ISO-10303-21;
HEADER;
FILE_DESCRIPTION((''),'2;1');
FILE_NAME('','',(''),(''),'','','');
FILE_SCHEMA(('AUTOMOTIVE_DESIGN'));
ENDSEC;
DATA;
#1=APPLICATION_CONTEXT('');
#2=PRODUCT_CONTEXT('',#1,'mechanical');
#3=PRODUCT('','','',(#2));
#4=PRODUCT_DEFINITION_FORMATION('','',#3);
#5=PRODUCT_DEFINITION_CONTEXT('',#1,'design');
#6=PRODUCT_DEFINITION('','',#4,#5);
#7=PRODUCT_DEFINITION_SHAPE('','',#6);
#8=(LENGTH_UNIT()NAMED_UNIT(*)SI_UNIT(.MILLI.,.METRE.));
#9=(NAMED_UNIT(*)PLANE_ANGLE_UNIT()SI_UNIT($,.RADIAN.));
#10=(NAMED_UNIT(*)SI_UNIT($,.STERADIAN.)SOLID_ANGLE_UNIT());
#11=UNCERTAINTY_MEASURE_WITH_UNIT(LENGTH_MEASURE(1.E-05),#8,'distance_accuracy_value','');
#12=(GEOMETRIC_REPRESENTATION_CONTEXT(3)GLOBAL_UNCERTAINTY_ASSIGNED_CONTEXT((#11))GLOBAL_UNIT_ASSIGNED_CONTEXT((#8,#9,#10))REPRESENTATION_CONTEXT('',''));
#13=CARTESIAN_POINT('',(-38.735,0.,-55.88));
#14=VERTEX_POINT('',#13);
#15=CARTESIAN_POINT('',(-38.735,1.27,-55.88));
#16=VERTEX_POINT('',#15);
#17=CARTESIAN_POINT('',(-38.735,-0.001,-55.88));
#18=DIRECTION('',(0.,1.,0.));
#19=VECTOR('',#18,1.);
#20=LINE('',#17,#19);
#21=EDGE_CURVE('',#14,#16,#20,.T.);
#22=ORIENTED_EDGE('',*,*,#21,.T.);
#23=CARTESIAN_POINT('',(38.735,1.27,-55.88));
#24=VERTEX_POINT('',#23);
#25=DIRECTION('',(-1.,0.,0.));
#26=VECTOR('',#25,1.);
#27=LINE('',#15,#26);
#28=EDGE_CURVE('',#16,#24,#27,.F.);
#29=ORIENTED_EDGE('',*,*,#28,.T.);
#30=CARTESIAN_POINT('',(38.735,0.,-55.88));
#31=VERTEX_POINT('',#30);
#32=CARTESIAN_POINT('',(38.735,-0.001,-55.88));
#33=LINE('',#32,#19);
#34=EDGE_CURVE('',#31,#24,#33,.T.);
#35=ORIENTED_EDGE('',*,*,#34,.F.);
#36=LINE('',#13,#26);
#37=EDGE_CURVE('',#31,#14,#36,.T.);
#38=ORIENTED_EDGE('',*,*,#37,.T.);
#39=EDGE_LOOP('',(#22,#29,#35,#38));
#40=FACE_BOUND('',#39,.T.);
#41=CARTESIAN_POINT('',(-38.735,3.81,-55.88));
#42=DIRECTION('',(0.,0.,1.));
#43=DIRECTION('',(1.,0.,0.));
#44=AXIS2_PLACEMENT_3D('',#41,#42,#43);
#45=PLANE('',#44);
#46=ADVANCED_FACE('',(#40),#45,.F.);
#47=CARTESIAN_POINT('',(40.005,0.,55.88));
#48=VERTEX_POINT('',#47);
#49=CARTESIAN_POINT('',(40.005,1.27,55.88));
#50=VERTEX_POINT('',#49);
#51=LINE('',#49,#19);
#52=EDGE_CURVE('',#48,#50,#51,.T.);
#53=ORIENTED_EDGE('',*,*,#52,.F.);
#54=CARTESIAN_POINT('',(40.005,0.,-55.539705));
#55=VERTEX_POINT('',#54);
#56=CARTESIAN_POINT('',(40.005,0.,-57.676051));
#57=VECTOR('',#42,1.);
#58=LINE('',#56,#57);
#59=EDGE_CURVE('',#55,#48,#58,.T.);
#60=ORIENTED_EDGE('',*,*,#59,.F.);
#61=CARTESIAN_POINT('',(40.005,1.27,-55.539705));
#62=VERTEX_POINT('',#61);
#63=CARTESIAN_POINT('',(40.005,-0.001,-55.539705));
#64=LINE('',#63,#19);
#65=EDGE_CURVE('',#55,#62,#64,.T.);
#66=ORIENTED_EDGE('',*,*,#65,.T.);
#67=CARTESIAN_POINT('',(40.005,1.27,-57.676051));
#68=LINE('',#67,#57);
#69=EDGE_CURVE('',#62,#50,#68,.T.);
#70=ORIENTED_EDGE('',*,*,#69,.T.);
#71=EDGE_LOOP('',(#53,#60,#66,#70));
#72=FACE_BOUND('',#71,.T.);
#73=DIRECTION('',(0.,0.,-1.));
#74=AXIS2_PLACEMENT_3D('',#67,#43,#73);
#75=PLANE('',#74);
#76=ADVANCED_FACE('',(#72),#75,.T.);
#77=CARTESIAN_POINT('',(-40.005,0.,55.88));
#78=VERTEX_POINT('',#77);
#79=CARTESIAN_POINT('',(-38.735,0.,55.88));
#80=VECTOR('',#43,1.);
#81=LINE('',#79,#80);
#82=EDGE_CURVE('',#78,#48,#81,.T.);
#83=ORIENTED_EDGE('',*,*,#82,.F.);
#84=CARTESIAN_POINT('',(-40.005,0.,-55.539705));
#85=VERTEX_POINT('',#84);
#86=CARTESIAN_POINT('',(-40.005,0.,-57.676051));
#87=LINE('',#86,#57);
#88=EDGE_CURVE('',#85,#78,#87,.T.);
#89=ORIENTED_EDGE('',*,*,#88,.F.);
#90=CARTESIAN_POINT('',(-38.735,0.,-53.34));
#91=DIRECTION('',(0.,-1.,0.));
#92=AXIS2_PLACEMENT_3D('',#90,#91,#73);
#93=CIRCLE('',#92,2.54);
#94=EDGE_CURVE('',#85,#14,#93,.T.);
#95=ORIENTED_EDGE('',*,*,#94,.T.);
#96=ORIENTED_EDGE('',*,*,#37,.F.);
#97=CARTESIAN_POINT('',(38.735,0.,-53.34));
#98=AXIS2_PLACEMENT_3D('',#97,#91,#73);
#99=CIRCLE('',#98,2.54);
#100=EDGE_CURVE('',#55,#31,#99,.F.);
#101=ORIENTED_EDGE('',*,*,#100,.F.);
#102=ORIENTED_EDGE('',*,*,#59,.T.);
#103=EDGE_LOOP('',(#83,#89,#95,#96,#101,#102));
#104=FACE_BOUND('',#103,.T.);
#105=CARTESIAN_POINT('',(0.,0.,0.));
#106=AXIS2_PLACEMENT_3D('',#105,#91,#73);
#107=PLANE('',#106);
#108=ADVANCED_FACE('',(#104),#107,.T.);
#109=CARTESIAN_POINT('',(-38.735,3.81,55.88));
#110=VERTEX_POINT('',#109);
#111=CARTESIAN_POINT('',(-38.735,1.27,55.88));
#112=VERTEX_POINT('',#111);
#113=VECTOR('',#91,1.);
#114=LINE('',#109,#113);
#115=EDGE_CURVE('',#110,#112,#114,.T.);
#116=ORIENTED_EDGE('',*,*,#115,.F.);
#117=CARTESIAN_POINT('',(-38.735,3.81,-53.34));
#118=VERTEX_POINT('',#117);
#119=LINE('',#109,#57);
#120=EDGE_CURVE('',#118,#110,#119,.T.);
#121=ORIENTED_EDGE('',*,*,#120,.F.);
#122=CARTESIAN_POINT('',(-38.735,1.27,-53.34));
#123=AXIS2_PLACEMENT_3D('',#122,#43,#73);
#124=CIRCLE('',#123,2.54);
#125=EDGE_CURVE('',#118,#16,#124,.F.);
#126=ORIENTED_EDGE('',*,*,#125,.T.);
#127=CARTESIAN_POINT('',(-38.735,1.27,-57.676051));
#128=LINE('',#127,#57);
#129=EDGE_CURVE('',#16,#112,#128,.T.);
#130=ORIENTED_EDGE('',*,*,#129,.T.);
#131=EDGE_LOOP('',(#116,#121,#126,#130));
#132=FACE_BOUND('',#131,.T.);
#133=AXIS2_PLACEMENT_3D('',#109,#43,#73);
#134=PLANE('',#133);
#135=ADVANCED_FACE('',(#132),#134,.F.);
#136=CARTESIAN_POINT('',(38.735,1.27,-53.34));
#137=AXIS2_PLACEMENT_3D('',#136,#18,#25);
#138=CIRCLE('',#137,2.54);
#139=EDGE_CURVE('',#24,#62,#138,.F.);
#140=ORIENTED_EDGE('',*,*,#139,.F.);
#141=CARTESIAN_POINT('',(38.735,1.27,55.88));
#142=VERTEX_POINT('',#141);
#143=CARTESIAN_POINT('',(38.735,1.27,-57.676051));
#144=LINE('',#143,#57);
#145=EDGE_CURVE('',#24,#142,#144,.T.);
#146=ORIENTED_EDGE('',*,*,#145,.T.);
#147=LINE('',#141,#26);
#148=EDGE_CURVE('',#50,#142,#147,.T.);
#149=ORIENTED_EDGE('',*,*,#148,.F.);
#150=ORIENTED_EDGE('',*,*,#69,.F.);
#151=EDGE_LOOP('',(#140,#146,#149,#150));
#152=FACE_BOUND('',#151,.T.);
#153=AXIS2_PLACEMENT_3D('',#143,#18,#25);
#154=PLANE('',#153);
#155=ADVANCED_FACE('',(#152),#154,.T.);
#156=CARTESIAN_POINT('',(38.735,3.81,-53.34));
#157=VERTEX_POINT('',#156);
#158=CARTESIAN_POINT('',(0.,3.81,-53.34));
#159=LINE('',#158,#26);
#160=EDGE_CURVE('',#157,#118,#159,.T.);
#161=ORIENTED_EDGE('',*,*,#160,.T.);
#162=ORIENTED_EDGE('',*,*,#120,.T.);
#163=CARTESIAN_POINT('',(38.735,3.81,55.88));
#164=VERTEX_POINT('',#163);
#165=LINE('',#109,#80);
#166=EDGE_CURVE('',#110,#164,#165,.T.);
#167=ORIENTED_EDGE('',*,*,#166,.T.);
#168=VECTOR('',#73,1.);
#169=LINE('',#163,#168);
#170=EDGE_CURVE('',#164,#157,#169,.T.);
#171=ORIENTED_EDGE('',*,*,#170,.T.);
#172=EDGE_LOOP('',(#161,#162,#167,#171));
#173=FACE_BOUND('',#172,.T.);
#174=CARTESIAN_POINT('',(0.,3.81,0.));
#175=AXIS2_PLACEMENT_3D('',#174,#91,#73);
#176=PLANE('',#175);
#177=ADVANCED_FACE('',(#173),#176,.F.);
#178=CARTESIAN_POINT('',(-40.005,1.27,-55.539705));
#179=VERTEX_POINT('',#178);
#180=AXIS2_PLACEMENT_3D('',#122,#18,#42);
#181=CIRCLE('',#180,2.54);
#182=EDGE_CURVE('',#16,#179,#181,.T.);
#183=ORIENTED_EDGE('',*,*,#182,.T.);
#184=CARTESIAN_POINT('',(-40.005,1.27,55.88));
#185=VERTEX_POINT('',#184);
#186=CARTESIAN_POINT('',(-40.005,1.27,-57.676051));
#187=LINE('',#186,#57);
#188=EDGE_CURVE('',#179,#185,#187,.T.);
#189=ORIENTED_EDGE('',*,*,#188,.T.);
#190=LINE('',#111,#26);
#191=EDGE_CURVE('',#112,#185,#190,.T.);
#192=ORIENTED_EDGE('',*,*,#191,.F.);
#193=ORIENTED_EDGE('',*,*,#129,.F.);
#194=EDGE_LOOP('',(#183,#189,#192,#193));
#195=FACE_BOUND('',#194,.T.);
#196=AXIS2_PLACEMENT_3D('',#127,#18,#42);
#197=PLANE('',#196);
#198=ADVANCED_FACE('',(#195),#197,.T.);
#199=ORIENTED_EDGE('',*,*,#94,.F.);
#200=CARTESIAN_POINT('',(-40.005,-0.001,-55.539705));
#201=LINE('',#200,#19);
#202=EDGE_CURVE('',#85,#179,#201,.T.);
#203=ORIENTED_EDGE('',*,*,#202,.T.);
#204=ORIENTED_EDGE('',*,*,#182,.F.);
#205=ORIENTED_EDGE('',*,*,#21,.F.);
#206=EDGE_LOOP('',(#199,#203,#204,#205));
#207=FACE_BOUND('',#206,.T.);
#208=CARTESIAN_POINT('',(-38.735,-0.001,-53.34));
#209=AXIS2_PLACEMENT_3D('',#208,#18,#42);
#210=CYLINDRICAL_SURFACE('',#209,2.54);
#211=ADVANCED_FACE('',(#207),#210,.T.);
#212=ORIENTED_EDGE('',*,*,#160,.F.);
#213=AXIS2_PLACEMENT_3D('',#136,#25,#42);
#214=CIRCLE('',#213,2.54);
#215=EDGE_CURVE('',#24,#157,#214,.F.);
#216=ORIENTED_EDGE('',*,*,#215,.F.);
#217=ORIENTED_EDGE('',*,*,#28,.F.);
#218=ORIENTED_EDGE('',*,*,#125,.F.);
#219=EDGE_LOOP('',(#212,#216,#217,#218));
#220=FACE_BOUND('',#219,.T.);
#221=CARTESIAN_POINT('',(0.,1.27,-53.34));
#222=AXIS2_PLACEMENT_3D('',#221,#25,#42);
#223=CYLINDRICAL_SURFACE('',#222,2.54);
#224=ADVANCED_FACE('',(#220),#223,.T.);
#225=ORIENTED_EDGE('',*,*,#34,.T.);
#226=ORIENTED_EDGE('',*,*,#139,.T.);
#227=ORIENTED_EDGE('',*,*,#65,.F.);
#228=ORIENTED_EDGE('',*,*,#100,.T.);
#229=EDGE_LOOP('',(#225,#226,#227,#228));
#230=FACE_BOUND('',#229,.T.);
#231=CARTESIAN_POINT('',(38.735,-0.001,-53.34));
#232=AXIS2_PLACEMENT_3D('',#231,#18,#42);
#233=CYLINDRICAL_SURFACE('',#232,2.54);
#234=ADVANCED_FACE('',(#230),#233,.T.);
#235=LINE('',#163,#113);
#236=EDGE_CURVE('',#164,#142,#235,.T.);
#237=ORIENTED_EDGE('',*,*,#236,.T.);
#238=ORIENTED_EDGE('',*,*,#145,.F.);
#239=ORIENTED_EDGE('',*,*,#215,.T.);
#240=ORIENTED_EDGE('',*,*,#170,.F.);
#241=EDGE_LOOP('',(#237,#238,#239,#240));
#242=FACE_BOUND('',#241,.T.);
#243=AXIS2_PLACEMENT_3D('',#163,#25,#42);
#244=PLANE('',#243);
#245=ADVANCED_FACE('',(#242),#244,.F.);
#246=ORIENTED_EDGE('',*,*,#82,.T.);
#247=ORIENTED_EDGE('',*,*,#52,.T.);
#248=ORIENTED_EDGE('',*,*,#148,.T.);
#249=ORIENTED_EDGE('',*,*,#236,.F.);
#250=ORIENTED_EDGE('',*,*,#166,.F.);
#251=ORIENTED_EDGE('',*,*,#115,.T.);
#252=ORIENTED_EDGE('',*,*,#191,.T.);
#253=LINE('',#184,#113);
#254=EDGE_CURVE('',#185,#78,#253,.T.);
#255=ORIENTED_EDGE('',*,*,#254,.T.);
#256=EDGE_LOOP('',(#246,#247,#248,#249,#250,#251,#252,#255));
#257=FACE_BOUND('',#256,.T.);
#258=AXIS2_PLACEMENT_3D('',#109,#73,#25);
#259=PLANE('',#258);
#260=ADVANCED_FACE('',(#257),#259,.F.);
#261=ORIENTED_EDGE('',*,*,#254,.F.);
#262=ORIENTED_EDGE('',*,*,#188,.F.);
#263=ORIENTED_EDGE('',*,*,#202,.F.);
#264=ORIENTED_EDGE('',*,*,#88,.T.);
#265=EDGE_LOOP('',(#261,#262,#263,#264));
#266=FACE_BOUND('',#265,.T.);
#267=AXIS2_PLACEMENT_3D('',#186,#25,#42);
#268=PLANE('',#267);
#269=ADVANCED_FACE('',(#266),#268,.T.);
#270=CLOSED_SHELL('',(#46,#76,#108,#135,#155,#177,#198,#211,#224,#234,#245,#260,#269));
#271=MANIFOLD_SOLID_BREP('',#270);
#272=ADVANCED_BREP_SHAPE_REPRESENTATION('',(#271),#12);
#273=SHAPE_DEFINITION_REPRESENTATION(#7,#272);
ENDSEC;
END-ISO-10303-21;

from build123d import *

# Parameters (mm, degrees)
SKETCH2_W           = 77.47
SKETCH2_H           = 111.76
BOSS_EXTRUDE1_DEPTH = 3.81
SKETCH3_W           = 1.27
SKETCH3_H           = 1.27
BOSS_EXTRUDE2_DEPTH = 111.76
FILLET1_R           = 2.54
CUT_EXTRUDE1_REACH  = 70.829


with BuildPart() as part:
    # Sketch2 → Boss-Extrude1 (new body)
    with BuildSketch(Plane(origin=(0, 0, 0), x_dir=(1, 0, 0), z_dir=(0, 1, 0))):
        Rectangle(SKETCH2_W, SKETCH2_H)
    extrude(amount=BOSS_EXTRUDE1_DEPTH)

    # Sketch3 → Boss-Extrude2 (add)
    with BuildSketch(Plane.XY.offset(55.88)):
        with Locations((-39.37, 0.635)):
            Rectangle(SKETCH3_W, SKETCH3_H)
        with Locations((39.37, 0.635)):
            Rectangle(SKETCH3_W, SKETCH3_H)
    extrude(amount=-BOSS_EXTRUDE2_DEPTH)

    # Fillet1
    fillet1_edges = [part.edges().sort_by_distance(p)[0] for p in [
        (0, 3.81, -55.88),
    ]]
    fillet(fillet1_edges, radius=FILLET1_R)

    # Sketch5 → Cut-Extrude1 (cut, up to next)
    with BuildSketch(Plane(origin=(0, 3.81, 0), x_dir=(1, 0, 0), z_dir=(0, 1, 0)), mode=Mode.PRIVATE) as cut_extrude1_sk1:
        with BuildLine():
            Line((40.005, 55.539704526), (40.005, 55.88))
            Line((40.005, 55.88), (38.735, 55.88))
            ThreePointArc((38.735, 55.88), (39.392400375, 55.793451599), (40.005, 55.539704526))
        make_face()
    cut_extrude1_tool1 = extrude(cut_extrude1_sk1.sketch, amount=-CUT_EXTRUDE1_REACH, mode=Mode.PRIVATE) & part.part
    # Sketch5 → Cut-Extrude1 (cut, up to next)
    with BuildSketch(Plane(origin=(0, 3.81, 0), x_dir=(1, 0, 0), z_dir=(0, 1, 0)), mode=Mode.PRIVATE) as cut_extrude1_sk2:
        with BuildLine():
            ThreePointArc((-40.005, 55.539704526), (-39.392400375, 55.793451599), (-38.735, 55.88))
            Line((-38.735, 55.88), (-40.005, 55.88))
            Line((-40.005, 55.88), (-40.005, 55.539704526))
        make_face()
    cut_extrude1_tool2 = extrude(cut_extrude1_sk2.sketch, amount=-CUT_EXTRUDE1_REACH, mode=Mode.PRIVATE) & part.part
    add(cut_extrude1_tool1.solids().sort_by_distance((39.69191, 3.81, -55.779201))[0], mode=Mode.SUBTRACT)
    add(cut_extrude1_tool2.solids().sort_by_distance((-39.69191, 3.81, -55.779201))[0], mode=Mode.SUBTRACT)


solid = part.part
